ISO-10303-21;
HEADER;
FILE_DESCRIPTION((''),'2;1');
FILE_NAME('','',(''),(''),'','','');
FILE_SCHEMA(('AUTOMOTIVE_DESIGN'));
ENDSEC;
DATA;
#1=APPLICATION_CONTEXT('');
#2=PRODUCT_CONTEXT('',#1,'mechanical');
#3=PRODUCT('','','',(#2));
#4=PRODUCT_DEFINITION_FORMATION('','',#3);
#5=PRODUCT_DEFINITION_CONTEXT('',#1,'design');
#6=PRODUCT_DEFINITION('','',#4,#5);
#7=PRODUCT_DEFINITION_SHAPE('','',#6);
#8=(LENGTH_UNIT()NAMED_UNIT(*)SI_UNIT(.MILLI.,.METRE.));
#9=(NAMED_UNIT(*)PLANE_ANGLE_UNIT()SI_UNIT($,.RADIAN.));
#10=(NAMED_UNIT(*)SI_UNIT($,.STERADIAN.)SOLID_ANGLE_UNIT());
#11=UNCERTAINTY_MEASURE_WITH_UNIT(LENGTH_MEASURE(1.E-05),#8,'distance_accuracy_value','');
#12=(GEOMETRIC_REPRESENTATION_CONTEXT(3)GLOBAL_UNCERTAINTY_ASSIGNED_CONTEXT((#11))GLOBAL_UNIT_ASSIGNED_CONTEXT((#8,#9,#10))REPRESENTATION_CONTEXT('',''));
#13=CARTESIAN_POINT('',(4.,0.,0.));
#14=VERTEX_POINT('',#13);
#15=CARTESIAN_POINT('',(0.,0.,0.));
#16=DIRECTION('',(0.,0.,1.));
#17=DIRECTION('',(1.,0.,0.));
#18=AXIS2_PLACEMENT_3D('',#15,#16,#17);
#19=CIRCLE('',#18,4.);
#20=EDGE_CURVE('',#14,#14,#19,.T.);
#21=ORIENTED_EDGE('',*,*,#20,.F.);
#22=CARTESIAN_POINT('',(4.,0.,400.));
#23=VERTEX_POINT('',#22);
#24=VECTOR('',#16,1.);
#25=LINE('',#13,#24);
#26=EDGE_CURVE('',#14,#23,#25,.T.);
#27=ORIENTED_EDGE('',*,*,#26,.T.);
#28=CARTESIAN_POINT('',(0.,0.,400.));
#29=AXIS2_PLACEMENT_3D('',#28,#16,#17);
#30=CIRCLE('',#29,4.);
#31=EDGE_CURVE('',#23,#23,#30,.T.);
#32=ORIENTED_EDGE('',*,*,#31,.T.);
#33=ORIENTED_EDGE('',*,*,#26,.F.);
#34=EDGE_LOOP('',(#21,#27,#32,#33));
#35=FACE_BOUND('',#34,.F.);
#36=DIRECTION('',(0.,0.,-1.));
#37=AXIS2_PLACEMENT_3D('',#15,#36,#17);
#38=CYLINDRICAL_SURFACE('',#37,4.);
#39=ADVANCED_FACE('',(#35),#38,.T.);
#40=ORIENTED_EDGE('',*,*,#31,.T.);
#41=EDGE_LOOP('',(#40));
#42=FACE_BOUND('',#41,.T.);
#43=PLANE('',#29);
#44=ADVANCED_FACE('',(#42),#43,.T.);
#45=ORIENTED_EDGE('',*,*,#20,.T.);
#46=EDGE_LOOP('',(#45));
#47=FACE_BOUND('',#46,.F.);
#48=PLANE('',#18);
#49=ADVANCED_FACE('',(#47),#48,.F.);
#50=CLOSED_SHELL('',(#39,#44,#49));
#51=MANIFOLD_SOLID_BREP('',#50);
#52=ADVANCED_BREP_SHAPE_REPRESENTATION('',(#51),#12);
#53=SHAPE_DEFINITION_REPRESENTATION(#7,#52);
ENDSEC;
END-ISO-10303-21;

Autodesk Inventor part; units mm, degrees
ref_plane "YZ Plane" through (0, 0, 0) normal (1, 0, 0) x (0, 1, 0)
ref_plane "XZ Plane" through (0, 0, 0) normal (0, 1, 0) x (-1, 0, 0)
ref_plane "XY Plane" through (0, 0, 0) normal (0, 0, 1) x (1, 0, 0)
sketch "スケッチ1" plane through (0, 0, 0) normal (0, 0, 1) x (1, 0, 0)
  circle A0 centre (0, 0) radius 4
  dimension "d0" = 8
extrude "押し出し1" add sketch "スケッチ1" along normal blind 400
properties part number "横回転シャフト" material "アルミニウム 7075"
